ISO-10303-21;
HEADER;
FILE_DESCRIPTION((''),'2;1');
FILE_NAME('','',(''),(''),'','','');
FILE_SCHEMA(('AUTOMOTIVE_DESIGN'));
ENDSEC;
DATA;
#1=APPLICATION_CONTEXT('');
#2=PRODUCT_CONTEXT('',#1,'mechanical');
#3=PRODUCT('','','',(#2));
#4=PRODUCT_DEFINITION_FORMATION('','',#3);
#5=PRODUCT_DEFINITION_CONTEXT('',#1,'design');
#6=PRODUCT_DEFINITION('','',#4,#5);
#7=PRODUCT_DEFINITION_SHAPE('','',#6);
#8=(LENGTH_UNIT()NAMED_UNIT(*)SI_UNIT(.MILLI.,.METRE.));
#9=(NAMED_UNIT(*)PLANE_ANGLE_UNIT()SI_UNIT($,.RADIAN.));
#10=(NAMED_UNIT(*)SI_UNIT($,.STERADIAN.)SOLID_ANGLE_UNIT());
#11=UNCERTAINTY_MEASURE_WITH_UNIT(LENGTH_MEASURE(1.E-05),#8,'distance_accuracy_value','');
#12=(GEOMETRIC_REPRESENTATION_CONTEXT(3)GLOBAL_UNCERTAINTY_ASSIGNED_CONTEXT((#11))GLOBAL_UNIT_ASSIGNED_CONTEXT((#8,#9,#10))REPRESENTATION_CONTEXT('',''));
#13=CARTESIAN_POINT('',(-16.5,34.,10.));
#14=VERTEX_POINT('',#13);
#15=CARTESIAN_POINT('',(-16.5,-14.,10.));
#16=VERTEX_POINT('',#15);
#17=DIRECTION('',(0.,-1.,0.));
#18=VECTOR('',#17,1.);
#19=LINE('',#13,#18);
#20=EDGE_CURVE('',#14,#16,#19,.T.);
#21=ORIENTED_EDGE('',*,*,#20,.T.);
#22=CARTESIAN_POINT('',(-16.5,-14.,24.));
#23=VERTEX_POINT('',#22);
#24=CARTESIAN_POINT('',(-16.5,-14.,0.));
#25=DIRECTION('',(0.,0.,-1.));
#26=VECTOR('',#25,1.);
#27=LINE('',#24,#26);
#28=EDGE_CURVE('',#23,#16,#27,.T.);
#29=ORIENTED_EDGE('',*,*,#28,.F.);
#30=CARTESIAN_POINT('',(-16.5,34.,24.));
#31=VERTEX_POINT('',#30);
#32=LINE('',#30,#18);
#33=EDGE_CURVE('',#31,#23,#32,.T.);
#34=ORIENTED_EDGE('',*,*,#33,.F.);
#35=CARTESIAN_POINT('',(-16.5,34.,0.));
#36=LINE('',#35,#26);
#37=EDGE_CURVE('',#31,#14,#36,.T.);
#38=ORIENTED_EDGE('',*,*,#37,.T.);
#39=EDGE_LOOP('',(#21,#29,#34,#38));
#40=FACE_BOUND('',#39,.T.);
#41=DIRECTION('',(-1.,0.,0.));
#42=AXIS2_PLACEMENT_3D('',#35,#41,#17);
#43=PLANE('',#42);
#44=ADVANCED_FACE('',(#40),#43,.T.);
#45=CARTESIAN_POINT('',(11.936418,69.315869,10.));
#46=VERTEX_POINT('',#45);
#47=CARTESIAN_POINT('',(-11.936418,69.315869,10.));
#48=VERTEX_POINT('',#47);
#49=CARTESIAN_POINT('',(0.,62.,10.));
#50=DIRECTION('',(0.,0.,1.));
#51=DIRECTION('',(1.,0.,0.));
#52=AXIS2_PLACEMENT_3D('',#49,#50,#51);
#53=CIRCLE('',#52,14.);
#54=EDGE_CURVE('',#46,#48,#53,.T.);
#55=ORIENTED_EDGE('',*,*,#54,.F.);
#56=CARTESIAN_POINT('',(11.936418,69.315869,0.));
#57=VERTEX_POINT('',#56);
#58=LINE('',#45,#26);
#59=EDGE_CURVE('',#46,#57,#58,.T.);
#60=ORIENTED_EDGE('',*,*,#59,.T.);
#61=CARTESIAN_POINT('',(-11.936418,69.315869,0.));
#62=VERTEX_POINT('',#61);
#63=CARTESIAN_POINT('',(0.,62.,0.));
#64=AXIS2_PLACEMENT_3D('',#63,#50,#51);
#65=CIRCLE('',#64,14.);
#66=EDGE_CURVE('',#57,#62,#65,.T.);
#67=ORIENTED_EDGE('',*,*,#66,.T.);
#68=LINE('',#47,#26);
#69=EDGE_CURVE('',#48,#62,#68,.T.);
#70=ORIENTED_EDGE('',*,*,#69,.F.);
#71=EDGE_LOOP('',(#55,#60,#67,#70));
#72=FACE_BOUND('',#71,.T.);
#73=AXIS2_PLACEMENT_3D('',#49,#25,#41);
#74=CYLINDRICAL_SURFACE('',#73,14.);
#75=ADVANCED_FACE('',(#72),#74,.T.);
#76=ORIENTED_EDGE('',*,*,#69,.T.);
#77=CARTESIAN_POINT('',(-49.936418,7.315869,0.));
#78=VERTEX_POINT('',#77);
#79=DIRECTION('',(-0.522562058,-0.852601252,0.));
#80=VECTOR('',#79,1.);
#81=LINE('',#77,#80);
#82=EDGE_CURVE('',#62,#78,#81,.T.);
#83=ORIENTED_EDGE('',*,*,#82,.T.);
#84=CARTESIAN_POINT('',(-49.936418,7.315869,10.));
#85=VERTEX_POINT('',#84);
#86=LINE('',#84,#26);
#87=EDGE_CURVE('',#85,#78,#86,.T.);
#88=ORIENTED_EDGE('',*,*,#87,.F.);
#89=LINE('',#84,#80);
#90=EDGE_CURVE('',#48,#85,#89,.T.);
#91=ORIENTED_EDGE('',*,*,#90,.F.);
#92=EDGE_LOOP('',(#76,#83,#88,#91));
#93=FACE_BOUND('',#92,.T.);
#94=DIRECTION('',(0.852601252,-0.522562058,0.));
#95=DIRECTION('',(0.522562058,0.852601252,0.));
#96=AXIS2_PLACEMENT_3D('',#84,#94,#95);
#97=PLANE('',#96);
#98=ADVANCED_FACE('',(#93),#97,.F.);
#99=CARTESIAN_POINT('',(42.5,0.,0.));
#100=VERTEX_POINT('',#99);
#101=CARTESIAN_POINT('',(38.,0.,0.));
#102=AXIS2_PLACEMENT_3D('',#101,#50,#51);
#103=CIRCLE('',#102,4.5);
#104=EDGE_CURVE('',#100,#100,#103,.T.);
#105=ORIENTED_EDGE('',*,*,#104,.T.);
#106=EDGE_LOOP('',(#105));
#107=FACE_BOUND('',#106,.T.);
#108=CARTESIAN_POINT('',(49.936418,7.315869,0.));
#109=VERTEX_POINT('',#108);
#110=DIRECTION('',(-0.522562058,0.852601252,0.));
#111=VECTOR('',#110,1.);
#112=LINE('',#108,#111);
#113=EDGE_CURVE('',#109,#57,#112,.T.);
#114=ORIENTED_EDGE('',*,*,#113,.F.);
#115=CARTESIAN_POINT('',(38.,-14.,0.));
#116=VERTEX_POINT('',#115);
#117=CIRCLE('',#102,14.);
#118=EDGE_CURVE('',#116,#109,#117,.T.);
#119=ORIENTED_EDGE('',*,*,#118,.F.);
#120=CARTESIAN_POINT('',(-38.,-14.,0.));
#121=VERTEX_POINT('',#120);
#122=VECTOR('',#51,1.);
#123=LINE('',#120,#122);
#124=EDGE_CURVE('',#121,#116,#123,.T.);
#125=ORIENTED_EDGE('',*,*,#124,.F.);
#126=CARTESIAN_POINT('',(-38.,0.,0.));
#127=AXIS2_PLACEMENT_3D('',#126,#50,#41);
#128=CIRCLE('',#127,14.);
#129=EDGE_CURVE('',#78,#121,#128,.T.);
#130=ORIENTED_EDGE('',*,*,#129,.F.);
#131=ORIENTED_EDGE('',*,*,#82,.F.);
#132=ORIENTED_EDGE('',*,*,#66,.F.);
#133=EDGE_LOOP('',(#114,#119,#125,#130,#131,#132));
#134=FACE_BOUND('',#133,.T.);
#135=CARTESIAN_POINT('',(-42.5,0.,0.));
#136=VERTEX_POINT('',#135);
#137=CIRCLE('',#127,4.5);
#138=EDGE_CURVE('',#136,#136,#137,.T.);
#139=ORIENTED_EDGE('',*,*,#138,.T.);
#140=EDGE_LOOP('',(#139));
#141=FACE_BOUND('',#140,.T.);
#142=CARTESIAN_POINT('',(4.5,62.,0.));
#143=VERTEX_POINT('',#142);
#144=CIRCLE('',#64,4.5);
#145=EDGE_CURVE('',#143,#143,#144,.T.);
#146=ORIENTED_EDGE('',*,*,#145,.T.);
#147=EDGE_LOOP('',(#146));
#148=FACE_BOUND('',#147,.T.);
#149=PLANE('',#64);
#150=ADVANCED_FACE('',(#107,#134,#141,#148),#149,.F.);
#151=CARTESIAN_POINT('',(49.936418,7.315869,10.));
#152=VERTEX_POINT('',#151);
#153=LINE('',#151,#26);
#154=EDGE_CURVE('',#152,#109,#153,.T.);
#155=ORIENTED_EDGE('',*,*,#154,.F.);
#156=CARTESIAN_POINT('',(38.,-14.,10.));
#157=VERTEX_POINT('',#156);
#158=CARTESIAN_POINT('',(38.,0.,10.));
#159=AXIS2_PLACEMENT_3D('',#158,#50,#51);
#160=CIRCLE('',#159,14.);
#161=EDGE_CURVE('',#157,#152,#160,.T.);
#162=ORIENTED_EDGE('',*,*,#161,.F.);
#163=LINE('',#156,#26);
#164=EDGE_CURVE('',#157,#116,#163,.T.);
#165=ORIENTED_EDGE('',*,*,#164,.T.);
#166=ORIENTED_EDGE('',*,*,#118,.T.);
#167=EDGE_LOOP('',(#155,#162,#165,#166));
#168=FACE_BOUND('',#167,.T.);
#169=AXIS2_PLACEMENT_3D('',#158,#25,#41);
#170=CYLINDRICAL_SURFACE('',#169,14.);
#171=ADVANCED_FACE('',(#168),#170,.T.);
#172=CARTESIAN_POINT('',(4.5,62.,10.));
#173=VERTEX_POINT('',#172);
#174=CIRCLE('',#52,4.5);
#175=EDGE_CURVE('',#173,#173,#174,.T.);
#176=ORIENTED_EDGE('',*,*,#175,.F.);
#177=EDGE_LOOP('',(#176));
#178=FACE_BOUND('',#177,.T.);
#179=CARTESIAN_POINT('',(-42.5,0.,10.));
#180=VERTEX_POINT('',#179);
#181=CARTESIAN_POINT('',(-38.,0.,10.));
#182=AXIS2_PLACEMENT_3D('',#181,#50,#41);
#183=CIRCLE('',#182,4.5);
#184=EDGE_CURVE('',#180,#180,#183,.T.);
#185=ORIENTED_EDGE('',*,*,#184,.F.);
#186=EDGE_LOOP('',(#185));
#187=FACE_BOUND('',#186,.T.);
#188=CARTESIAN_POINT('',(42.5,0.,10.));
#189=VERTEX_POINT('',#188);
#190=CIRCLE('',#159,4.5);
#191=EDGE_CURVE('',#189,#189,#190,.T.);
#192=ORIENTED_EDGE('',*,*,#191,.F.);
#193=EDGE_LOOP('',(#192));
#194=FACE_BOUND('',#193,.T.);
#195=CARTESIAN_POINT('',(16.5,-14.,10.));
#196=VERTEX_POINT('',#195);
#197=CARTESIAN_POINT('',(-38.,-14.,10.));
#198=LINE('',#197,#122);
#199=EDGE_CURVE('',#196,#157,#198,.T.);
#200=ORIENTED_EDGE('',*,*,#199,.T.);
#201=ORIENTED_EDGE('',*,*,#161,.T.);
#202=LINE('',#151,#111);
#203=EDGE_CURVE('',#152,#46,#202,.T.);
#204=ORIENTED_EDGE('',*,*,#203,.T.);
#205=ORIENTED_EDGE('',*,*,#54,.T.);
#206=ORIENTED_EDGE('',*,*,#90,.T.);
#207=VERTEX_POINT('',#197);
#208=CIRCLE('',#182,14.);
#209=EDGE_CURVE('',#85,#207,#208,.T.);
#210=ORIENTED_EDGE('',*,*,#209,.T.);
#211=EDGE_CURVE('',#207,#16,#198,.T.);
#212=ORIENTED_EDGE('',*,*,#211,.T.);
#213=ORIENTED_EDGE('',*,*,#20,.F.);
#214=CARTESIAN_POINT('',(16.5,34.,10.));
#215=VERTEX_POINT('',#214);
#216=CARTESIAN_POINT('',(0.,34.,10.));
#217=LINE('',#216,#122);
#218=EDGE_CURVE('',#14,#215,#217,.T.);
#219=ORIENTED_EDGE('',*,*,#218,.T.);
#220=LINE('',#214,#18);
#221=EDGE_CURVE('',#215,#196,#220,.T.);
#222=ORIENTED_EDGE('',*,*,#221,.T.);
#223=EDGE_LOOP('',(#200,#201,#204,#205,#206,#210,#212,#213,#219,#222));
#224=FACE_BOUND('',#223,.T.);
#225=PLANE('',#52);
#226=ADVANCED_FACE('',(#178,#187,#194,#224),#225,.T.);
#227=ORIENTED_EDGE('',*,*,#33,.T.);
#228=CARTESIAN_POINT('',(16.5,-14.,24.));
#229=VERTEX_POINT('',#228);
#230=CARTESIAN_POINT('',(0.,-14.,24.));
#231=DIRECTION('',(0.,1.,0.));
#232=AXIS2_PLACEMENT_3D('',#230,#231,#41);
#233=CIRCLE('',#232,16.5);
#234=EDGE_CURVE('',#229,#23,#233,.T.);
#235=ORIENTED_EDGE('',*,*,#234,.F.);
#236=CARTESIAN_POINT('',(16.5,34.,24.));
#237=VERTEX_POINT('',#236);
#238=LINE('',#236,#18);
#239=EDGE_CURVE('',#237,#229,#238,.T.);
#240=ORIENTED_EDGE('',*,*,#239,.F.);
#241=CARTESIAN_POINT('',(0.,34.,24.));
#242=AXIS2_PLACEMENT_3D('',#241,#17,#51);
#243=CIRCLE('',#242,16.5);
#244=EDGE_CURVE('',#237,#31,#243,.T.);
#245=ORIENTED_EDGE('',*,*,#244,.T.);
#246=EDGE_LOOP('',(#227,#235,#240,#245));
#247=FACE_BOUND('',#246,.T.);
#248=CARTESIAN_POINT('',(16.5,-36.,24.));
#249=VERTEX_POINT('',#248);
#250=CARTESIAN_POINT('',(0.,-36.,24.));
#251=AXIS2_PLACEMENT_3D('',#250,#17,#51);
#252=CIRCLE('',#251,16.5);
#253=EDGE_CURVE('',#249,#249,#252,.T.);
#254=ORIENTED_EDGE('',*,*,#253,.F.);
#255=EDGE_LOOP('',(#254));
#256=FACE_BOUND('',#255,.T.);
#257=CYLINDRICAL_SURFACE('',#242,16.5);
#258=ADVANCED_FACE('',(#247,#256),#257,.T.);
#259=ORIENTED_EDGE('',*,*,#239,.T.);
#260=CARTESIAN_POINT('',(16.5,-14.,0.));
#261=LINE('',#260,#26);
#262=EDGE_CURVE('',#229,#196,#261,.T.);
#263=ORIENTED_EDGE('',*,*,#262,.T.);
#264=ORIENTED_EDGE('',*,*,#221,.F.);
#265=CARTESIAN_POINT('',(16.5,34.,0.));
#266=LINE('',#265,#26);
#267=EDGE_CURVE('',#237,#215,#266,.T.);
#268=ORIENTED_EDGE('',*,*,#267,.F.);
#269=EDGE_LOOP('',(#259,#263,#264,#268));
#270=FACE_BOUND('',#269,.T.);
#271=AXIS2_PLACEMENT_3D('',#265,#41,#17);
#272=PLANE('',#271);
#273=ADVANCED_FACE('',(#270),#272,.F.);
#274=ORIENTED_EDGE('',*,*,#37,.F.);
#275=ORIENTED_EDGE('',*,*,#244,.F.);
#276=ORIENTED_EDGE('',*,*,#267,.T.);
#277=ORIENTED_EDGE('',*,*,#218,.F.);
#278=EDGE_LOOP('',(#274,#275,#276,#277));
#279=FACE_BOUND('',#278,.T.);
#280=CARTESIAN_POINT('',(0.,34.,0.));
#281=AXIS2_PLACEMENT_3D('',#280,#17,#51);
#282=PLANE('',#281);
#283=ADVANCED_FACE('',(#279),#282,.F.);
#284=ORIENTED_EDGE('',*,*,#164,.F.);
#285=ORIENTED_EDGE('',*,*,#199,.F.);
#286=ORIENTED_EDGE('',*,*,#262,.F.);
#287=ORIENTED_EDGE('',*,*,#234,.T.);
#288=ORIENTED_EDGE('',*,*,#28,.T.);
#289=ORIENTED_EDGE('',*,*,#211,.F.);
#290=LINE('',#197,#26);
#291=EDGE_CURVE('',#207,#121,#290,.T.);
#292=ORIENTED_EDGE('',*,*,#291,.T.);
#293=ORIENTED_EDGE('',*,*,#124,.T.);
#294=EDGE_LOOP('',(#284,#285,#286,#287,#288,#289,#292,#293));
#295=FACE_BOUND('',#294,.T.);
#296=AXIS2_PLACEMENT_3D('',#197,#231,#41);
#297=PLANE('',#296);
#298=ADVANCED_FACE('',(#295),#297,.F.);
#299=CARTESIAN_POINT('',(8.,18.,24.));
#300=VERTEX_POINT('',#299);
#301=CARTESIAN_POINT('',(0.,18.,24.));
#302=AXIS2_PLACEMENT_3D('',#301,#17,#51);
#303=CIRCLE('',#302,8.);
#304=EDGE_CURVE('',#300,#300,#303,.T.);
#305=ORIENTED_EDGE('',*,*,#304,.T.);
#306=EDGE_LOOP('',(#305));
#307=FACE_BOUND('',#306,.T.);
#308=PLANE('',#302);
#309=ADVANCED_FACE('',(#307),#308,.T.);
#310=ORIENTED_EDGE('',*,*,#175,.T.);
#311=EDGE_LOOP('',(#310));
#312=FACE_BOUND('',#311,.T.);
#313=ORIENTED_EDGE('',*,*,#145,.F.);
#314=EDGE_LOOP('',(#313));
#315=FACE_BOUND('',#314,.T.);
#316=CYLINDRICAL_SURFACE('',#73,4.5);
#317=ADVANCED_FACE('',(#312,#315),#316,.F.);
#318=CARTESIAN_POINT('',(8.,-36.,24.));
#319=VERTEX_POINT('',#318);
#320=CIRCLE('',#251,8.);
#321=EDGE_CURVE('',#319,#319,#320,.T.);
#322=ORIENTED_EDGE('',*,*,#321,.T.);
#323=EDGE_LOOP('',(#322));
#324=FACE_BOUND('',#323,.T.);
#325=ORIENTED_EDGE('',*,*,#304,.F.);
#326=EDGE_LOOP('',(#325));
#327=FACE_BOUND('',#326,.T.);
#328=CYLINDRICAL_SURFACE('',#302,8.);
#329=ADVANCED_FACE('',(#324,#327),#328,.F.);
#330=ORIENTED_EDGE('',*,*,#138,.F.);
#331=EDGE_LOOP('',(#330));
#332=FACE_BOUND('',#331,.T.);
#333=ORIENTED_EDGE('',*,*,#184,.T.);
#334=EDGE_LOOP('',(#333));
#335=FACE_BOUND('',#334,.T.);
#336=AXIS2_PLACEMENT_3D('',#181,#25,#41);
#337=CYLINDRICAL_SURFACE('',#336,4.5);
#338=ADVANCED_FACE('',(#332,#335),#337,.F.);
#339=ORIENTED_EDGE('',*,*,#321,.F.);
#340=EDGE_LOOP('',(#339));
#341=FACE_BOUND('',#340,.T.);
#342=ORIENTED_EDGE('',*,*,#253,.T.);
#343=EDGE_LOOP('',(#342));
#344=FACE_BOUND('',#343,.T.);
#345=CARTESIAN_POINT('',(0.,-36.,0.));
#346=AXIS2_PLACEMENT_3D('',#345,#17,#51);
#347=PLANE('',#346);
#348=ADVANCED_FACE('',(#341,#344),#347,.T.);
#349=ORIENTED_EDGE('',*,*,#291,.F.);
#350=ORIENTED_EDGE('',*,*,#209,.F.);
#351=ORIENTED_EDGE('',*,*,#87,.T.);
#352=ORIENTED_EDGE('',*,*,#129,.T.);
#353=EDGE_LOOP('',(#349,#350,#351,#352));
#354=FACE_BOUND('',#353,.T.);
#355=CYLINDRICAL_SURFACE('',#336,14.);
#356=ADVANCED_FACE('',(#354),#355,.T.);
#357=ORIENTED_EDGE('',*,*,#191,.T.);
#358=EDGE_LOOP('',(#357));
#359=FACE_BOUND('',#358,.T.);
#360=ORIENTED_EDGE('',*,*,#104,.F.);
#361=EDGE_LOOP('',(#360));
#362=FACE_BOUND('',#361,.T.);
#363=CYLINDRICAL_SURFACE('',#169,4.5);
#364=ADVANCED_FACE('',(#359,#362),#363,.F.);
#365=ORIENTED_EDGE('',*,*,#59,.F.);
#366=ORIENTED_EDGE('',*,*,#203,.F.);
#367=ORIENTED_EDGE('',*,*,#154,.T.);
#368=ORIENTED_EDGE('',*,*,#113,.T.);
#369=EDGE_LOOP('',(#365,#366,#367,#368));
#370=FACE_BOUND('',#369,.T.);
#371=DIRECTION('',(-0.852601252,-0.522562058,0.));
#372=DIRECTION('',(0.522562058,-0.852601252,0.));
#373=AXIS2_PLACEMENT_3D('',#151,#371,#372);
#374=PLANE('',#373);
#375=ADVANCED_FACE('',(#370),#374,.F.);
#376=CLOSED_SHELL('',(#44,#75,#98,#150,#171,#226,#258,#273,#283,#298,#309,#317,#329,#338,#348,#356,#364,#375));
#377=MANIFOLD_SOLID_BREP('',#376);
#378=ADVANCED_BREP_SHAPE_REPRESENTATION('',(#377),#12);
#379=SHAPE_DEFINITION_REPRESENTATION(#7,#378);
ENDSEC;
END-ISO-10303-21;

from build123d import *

# Parameters (mm, degrees)
SKETCH1_R                = 4.5
BOSS_EXTRUDE1_DEPTH      = 10
BOSS_EXTRUDE2_DEPTH      = 22
BOSS_EXTRUDE2_DEPTH_BACK = 48
SKETCH2_R                = 16.5
BOSS_EXTRUDE3_DEPTH      = 48
SKETCH5_R                = 8
CUT_EXTRUDE1_DEPTH       = 54


with BuildPart() as part:
    # Sketch1 → Boss-Extrude1 (new body)
    with BuildSketch(Plane.XY):
        with BuildLine():
            Line((-38, -14), (38, -14))
            ThreePointArc((38, -14), (50.215198798, -6.840242563), (49.936417534, 7.315868811))
            Line((49.936417534, 7.315868811), (11.936417534, 69.315868811))
            ThreePointArc((11.936417534, 69.315868811), (0, 76), (-11.936417534, 69.315868811))
            Line((-11.936417534, 69.315868811), (-49.936417534, 7.315868811))
            ThreePointArc((-49.936417534, 7.315868811), (-50.215198798, -6.840242563), (-38, -14))
        make_face()
        with Locations((0, 62)):
            Circle(SKETCH1_R, mode=Mode.SUBTRACT)
        with Locations((38, 0)):
            Circle(SKETCH1_R, mode=Mode.SUBTRACT)
        with Locations((-38, 0)):
            Circle(SKETCH1_R, mode=Mode.SUBTRACT)
    extrude(amount=BOSS_EXTRUDE1_DEPTH)

    # Sketch2 → Boss-Extrude2 (add, two sides: drawn at the far end of the back side and taken through both)
    with BuildSketch(Plane.XZ.offset(14).offset(-BOSS_EXTRUDE2_DEPTH_BACK)):
        with Locations((0, 24)):
            Circle(SKETCH2_R)
    extrude(amount=BOSS_EXTRUDE2_DEPTH + BOSS_EXTRUDE2_DEPTH_BACK)

    # Sketch2<3> → Boss-Extrude3 (add)
    with BuildSketch(Plane.XZ.offset(14)):
        with BuildLine():
            Line((-16.5, 24), (-16.5, 10))
            Line((-16.5, 10), (-8.732124598, 10))
            ThreePointArc((-8.732124598, 10), (-14.427925282, 15.994691008), (-16.5, 24))
        make_face()
        with BuildLine():
            ThreePointArc((16.5, 24), (14.427925282, 15.994691008), (8.732124598, 10))
            Line((8.732124598, 10), (16.5, 10))
            Line((16.5, 10), (16.5, 24))
        make_face()
    extrude(amount=-BOSS_EXTRUDE3_DEPTH)

    # Sketch5 → Cut-Extrude1 (cut)
    with BuildSketch(Plane.XZ.offset(36)):
        with Locations((0, 24)):
            Circle(SKETCH5_R)
    extrude(amount=-CUT_EXTRUDE1_DEPTH, mode=Mode.SUBTRACT)


solid = part.part
